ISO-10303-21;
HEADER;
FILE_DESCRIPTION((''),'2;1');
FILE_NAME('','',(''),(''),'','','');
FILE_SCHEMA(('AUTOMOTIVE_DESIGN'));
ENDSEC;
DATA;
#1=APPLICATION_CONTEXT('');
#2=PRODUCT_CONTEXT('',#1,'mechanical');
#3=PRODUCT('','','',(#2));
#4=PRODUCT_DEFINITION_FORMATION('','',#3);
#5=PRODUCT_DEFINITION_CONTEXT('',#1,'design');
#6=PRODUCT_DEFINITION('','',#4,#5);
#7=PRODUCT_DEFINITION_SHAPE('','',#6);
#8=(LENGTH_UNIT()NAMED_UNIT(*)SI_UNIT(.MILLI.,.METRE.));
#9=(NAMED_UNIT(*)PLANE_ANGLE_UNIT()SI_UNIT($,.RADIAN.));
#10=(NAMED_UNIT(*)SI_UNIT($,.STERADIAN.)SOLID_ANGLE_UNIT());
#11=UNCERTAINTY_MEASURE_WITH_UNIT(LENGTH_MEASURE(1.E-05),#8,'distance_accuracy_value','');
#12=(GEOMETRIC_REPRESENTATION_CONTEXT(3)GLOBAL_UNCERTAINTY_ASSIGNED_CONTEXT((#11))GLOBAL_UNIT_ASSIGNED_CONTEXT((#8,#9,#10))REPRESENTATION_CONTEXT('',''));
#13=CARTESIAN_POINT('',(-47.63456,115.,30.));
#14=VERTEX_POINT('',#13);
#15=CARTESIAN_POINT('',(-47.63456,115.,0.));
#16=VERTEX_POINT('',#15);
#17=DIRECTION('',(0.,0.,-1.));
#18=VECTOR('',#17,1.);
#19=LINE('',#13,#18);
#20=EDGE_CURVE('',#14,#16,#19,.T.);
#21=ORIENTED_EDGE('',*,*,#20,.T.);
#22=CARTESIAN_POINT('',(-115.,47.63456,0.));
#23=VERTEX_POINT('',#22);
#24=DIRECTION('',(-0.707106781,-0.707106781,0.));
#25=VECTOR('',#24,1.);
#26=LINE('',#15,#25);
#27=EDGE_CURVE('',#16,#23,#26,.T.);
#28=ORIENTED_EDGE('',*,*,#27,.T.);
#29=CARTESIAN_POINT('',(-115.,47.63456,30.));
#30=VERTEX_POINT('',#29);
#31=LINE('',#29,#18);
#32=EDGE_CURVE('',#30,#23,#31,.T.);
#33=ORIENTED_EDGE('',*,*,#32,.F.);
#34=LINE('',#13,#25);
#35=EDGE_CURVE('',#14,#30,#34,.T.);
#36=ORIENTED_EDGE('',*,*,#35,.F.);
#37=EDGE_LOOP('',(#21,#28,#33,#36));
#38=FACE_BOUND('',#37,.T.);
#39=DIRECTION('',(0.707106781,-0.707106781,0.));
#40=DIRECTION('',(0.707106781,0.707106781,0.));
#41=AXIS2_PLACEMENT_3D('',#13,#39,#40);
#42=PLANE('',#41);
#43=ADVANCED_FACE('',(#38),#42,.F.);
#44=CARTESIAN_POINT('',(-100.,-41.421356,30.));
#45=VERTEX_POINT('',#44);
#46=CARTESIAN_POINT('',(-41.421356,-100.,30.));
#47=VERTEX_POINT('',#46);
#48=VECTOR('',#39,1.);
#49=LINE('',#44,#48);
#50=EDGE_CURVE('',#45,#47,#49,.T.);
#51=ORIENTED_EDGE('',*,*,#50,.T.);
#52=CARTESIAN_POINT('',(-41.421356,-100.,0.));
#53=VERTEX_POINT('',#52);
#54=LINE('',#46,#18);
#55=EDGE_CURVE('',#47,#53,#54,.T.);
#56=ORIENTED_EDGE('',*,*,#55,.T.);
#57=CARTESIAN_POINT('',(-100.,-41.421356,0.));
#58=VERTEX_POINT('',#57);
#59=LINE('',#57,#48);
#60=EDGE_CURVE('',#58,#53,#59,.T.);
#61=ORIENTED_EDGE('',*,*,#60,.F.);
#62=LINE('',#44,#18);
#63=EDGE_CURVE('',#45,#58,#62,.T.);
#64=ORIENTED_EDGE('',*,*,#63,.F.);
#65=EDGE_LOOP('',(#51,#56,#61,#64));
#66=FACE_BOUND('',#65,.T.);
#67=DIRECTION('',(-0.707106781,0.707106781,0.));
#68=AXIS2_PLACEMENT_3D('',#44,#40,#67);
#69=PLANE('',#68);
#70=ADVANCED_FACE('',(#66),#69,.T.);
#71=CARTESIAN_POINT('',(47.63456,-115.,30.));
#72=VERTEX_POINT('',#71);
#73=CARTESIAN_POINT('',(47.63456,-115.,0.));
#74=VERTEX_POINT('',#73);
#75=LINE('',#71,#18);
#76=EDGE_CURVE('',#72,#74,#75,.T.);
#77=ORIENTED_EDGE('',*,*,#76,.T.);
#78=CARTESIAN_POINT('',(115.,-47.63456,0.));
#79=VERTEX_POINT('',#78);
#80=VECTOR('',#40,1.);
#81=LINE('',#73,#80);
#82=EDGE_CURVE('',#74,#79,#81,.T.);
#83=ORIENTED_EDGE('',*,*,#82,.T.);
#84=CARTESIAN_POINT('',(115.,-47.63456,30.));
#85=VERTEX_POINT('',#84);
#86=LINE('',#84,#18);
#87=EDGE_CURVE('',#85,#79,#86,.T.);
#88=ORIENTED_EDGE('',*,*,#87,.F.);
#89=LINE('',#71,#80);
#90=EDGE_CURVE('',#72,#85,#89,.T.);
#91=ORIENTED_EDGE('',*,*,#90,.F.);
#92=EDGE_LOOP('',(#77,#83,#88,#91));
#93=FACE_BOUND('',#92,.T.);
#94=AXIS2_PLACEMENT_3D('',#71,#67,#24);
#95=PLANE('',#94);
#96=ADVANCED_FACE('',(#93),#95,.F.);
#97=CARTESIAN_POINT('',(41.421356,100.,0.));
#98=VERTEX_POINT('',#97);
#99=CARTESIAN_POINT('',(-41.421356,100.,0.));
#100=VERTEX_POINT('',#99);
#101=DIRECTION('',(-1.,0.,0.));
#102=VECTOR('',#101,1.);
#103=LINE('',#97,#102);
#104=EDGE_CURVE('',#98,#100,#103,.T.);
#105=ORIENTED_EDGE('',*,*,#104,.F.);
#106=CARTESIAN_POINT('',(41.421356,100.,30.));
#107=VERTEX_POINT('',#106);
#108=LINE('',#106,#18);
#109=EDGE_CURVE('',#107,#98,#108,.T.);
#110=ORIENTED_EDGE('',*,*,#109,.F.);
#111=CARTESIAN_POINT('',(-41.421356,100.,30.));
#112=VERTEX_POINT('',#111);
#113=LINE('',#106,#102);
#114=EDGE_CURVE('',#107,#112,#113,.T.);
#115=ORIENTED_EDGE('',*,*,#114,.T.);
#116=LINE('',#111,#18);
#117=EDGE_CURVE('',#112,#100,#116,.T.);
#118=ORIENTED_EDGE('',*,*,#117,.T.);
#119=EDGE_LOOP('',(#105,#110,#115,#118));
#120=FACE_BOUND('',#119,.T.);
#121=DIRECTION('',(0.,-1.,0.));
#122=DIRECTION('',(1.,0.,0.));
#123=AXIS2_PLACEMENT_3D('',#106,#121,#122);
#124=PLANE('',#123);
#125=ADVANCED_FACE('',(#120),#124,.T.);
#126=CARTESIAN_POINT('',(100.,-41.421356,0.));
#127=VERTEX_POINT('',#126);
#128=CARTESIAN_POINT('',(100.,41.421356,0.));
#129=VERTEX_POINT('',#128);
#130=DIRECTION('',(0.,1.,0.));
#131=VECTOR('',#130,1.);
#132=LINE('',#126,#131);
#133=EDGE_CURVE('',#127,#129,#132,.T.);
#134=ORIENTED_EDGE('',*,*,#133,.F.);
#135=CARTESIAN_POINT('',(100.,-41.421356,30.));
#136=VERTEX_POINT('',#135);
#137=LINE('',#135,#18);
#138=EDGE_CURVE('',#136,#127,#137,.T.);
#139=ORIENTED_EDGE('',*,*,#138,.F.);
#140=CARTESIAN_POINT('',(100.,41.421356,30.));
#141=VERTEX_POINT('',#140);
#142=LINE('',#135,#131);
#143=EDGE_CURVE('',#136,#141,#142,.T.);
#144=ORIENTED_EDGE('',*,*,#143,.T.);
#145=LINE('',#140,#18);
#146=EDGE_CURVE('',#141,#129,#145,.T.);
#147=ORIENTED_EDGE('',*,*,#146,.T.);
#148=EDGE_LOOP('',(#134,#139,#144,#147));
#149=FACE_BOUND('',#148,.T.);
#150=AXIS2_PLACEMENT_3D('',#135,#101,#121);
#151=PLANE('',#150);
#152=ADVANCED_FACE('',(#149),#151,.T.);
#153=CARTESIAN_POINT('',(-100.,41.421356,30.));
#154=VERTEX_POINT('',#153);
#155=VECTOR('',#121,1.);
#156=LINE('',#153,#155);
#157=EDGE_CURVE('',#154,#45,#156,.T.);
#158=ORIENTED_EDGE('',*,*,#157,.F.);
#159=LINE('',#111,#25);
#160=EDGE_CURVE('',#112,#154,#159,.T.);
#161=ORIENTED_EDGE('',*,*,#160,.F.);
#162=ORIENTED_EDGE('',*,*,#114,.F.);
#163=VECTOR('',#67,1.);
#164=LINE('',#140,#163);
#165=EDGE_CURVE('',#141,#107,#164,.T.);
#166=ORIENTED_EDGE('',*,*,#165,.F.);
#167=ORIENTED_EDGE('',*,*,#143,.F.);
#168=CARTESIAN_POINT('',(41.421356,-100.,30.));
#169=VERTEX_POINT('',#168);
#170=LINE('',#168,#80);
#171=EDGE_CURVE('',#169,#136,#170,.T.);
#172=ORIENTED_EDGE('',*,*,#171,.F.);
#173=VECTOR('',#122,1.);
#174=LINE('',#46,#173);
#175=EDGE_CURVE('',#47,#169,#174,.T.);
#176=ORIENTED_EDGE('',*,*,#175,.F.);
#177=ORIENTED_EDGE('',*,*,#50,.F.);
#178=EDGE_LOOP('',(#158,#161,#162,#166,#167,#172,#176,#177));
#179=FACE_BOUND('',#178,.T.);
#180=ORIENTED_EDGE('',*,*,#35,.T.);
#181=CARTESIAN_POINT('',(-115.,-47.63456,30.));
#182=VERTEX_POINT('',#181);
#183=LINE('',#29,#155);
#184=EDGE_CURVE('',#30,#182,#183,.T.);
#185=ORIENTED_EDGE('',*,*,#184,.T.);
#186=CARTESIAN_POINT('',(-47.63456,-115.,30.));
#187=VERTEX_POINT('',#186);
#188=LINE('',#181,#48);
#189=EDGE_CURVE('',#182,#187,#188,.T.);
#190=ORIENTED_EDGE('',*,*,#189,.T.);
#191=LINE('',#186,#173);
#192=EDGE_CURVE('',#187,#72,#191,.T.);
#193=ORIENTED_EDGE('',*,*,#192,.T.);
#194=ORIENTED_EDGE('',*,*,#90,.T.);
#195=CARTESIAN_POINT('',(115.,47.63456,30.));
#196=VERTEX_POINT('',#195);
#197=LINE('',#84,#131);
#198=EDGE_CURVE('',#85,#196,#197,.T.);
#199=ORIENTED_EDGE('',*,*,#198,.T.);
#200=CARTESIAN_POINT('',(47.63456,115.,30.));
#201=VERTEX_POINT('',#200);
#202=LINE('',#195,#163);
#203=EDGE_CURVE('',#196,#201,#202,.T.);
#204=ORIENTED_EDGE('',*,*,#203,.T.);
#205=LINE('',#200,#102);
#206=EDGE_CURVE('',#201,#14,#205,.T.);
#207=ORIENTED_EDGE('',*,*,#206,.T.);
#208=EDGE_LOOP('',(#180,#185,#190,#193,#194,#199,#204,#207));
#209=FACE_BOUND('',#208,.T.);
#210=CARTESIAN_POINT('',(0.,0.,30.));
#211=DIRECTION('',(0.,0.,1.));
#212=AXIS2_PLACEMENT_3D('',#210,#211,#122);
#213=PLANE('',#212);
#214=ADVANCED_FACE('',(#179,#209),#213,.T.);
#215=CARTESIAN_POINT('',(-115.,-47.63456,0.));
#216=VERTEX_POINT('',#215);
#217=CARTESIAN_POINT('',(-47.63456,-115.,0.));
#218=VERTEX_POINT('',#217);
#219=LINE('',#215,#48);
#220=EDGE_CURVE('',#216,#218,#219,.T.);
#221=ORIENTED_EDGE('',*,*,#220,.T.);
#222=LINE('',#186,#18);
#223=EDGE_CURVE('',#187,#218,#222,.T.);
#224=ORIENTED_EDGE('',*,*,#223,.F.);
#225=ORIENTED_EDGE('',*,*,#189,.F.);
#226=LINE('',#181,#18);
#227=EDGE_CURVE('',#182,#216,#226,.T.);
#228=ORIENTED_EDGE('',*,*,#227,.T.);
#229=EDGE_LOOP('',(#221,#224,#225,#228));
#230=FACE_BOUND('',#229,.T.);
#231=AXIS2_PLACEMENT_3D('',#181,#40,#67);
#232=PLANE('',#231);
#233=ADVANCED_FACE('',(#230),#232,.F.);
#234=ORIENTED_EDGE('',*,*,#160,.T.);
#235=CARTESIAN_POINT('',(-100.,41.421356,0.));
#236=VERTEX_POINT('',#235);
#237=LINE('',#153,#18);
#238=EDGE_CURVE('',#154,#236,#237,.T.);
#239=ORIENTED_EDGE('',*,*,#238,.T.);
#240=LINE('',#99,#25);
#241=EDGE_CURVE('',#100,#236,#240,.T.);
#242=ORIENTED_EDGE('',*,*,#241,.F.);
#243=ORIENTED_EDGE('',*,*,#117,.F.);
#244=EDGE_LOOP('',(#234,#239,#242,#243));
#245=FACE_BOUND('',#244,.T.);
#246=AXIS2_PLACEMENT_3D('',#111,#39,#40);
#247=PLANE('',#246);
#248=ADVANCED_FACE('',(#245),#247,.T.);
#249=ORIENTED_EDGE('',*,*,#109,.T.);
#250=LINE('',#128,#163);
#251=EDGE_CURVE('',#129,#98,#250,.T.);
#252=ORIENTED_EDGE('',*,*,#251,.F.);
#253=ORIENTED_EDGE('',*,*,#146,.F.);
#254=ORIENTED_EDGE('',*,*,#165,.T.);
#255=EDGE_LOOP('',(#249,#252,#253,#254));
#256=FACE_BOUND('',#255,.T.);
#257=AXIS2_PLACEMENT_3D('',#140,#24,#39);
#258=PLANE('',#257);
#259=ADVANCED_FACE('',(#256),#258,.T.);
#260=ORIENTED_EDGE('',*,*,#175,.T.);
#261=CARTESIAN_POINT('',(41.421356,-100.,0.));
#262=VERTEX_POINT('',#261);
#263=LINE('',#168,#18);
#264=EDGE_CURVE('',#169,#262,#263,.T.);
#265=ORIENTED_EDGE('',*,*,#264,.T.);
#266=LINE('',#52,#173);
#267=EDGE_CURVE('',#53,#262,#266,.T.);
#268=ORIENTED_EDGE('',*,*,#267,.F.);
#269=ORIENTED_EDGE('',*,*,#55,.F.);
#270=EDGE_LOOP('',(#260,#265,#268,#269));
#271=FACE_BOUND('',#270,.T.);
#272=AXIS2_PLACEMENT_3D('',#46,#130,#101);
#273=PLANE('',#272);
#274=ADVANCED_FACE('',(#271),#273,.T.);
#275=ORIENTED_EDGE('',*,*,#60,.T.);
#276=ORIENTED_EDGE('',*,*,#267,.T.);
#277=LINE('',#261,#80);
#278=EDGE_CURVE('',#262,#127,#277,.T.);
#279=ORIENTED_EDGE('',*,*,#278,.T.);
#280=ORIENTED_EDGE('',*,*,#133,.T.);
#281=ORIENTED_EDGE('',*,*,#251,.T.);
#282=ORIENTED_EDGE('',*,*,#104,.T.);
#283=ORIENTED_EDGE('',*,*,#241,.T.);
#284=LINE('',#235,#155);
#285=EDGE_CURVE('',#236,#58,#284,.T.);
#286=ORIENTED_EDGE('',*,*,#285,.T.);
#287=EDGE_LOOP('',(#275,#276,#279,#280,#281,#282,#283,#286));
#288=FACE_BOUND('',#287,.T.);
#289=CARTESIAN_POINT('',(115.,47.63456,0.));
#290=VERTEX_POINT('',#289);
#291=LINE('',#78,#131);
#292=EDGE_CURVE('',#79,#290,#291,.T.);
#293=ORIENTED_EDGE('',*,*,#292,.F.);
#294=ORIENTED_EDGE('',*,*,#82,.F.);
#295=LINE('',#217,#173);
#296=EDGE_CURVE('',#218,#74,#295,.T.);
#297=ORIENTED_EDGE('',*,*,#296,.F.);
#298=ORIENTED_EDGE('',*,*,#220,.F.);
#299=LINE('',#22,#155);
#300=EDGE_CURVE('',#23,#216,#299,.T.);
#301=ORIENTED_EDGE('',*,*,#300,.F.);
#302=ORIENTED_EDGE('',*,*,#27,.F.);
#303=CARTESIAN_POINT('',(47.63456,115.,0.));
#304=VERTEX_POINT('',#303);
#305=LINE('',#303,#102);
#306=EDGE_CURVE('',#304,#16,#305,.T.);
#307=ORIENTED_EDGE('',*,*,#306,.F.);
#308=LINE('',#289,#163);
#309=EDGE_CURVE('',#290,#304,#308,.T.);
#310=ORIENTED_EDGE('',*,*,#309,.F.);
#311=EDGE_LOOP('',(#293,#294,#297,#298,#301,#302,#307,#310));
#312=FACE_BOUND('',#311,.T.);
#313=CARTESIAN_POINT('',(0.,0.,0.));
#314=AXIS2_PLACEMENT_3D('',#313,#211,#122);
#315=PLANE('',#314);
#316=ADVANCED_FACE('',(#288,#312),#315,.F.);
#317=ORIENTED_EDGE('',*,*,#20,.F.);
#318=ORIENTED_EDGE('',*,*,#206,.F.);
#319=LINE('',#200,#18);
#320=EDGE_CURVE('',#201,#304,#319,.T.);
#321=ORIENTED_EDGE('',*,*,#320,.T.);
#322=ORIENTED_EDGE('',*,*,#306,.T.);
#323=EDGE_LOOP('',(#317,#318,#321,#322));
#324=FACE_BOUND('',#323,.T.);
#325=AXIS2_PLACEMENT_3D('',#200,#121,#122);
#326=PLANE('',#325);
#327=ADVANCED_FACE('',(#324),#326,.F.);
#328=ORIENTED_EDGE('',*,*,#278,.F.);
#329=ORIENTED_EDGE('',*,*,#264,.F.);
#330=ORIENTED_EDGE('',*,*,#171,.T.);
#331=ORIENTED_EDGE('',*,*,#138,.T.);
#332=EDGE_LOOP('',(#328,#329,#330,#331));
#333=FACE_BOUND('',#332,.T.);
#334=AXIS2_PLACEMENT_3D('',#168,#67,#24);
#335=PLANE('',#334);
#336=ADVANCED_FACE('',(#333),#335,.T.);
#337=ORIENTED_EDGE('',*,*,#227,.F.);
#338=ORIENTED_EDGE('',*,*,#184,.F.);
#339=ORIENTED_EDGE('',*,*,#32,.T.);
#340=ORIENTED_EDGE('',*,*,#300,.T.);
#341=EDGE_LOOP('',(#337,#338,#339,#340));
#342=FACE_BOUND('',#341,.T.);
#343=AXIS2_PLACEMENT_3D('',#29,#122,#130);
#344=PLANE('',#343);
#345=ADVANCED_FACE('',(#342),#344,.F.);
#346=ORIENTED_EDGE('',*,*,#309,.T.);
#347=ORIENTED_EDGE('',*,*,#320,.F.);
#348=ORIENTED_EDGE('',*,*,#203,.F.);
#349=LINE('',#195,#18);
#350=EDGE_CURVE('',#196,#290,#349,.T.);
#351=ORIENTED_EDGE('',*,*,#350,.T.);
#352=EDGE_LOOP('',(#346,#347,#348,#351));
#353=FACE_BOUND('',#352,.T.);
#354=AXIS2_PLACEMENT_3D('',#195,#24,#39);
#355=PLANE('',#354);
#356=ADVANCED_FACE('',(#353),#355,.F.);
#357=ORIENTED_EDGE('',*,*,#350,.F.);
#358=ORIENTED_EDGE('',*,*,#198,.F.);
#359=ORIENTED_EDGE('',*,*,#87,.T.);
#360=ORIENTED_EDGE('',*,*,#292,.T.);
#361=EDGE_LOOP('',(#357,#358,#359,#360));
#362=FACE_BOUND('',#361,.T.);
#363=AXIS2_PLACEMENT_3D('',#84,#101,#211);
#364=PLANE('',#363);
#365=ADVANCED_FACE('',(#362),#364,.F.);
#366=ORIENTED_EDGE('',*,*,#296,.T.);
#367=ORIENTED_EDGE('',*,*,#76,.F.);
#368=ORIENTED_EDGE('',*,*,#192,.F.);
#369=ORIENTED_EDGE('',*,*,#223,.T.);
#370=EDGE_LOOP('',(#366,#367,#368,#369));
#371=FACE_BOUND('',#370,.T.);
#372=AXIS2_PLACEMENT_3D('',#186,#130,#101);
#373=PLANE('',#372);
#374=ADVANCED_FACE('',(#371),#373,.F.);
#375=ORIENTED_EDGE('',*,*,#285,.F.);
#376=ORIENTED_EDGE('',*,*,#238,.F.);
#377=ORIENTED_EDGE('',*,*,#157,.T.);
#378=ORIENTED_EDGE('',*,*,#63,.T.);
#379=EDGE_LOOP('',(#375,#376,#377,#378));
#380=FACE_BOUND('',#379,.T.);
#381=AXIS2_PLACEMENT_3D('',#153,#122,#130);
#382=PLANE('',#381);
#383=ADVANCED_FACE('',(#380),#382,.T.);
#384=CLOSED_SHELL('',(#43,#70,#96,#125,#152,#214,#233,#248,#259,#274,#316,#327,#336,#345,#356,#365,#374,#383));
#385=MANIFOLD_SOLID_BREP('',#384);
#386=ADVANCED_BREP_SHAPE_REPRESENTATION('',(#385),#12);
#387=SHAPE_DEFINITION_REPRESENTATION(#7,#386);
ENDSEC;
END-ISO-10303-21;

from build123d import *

# Parameters (mm, degrees)
RESSALTO_EXTRUS_O1_DEPTH = 30


with BuildPart() as part:
    # Esboço1 → Ressalto-extrusão1 (new body)
    with BuildSketch(Plane.XY):
        Polygon((115, 47.634559673), (47.634559673, 115), (-47.634559673, 115), (-115, 47.634559673), (-115, -47.634559673), (-47.634559673, -115), (47.634559673, -115), (115, -47.634559673), align=None)
        Polygon((100, 41.421356237), (41.421356237, 100), (-41.421356237, 100), (-100, 41.421356237), (-100, -41.421356237), (-41.421356237, -100), (41.421356237, -100), (100, -41.421356237), align=None, mode=Mode.SUBTRACT)
    extrude(amount=RESSALTO_EXTRUS_O1_DEPTH)


solid = part.part
